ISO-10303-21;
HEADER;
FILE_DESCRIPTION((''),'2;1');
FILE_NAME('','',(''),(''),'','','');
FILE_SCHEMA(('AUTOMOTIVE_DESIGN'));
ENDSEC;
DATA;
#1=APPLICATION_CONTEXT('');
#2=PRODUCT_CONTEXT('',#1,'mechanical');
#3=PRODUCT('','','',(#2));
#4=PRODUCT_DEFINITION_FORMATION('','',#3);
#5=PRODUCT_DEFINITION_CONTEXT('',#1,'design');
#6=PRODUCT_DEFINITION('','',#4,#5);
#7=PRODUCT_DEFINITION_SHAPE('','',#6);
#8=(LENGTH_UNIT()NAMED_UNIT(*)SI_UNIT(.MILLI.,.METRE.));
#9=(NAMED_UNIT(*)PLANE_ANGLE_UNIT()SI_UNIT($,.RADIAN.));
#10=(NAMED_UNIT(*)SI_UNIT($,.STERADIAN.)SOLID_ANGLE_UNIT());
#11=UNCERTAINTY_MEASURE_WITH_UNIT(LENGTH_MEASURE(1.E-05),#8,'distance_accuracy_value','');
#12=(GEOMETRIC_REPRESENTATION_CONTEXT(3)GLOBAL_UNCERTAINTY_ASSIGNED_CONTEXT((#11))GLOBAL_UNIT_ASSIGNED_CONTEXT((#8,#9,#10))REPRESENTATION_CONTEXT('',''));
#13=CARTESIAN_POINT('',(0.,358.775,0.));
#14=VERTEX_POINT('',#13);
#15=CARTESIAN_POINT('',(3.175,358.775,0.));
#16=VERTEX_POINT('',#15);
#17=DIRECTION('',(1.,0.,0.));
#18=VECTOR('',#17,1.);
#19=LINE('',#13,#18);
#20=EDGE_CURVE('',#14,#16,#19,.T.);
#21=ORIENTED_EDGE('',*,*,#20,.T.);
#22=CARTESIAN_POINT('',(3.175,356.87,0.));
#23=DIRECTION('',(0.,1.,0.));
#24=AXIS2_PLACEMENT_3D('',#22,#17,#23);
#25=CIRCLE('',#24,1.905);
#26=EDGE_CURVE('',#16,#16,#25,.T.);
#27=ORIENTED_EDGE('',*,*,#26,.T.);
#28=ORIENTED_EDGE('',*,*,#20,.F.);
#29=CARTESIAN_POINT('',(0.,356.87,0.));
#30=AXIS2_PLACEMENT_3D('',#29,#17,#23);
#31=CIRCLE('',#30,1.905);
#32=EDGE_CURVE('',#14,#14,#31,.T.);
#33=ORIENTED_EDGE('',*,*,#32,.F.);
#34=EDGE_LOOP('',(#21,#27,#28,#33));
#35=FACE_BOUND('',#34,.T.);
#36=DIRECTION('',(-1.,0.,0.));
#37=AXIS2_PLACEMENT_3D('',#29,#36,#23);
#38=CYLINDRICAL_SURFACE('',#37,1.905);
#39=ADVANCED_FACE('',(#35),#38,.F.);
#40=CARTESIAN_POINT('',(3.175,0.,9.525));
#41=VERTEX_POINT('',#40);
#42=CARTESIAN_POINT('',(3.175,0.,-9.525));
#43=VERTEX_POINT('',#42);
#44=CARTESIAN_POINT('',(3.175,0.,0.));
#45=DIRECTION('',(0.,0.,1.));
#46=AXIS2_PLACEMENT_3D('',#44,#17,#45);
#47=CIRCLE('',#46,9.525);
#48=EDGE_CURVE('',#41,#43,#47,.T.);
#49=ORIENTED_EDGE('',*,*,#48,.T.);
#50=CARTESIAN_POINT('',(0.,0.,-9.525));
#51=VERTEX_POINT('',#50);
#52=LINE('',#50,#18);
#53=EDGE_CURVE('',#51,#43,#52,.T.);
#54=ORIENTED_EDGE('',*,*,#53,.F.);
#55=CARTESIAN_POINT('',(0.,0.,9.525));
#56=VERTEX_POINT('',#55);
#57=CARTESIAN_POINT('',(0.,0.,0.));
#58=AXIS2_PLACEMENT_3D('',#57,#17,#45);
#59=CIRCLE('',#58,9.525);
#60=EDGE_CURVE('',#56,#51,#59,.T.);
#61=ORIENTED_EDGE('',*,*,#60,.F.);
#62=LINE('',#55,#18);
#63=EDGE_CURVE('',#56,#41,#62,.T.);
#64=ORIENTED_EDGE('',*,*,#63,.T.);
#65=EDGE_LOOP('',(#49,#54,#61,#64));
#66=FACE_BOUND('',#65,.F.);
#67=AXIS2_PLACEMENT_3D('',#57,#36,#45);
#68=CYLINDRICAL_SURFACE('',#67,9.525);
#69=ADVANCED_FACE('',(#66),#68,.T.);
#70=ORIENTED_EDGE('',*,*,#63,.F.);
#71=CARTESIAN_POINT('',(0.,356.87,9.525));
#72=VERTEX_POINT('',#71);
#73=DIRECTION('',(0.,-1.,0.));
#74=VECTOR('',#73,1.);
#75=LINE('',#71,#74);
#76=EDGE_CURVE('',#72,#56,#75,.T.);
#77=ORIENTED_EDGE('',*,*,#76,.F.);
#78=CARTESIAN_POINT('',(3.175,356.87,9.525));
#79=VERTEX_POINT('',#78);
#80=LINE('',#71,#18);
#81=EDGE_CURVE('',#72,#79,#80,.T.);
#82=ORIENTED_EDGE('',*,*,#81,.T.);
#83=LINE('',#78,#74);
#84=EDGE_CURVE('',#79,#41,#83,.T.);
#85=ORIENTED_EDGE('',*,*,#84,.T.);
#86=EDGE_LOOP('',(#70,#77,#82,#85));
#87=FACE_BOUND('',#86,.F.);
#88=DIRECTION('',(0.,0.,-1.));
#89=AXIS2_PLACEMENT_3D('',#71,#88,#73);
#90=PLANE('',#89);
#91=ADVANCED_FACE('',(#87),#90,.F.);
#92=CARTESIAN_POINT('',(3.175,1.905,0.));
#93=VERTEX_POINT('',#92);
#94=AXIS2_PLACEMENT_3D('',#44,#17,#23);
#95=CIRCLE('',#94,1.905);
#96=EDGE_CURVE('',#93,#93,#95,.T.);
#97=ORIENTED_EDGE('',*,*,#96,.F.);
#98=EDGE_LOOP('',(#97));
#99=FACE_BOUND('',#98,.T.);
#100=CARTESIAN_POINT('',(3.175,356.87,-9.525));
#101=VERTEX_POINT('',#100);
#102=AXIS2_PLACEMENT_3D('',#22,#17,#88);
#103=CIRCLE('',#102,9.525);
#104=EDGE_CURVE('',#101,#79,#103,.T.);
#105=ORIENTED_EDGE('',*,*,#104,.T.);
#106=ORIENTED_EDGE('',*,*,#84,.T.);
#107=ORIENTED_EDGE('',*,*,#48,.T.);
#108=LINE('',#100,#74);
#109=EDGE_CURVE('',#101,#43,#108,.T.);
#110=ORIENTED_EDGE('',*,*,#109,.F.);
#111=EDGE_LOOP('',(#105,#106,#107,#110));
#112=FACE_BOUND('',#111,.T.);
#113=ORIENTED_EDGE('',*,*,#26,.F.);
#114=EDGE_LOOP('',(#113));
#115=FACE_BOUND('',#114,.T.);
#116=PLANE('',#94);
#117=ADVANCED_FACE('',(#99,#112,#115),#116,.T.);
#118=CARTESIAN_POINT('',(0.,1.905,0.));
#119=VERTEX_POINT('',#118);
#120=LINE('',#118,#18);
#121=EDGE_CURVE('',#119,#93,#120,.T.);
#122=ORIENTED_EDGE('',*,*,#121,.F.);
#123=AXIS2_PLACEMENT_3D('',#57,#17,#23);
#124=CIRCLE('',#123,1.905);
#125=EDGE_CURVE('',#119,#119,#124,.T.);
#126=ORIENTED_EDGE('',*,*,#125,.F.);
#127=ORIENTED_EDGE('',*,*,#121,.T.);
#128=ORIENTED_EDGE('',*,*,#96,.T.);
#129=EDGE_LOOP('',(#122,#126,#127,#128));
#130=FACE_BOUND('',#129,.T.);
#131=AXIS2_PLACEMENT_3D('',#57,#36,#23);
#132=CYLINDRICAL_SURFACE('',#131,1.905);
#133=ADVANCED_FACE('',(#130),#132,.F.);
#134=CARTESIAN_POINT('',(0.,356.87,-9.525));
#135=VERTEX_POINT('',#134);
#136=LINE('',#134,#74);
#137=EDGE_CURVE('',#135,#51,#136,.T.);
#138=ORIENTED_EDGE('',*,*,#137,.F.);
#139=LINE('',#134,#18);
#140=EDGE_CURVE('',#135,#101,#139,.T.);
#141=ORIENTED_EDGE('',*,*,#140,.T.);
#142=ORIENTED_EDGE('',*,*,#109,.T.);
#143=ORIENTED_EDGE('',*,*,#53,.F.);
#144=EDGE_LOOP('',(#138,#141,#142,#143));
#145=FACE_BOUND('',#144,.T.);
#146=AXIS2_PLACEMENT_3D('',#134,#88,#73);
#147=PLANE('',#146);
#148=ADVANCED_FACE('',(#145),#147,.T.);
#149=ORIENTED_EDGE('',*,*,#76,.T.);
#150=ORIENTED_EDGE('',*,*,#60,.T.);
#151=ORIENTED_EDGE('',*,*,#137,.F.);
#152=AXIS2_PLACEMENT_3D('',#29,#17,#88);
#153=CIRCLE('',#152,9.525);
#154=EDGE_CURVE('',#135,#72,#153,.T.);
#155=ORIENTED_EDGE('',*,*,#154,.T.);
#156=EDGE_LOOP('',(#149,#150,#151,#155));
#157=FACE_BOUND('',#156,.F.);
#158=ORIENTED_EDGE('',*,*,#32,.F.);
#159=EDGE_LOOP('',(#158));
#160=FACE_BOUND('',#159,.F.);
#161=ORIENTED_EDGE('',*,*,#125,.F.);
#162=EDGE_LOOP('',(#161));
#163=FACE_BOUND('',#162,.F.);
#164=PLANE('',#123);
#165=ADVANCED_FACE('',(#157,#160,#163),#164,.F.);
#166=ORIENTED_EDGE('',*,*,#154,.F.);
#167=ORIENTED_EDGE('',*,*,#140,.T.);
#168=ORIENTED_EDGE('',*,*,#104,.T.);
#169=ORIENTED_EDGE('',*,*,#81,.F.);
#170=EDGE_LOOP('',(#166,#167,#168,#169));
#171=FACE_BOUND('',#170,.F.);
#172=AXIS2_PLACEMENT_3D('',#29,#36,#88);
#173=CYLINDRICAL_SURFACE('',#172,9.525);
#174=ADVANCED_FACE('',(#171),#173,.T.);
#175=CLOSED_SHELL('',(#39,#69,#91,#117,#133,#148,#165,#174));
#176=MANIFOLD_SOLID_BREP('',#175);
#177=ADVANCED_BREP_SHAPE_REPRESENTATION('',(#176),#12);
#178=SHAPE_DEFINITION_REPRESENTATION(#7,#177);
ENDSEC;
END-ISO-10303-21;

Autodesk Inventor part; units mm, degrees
ref_plane "YZ Plane" through (0, 0, 0) normal (1, 0, 0) x (0, 1, 0)
ref_plane "XZ Plane" through (0, 0, 0) normal (0, 1, 0) x (-1, 0, 0)
ref_plane "XY Plane" through (0, 0, 0) normal (0, 0, 1) x (1, 0, 0)
sketch "Sketch1" plane through (0, 0, 0) normal (1, 0, 0) x (0, 1, 0)
  circle A0 centre (0, 0) radius 1.905
  line L0 (0, 0) -> (356.87, 0) construction
  circle A1 centre (356.87, 0) radius 1.905
  arc A2 (0, 9.525) -> (0, -9.525) centre (0, 0) ccw
  arc A3 (356.87, -9.525) -> (356.87, 9.525) centre (356.87, 0) ccw
  line L1 (356.87, -9.525) -> (0, -9.525)
  line L2 (356.87, 9.525) -> (0, 9.525)
  dimension "d0" = 3.81
  dimension "d1" = 356.87
  dimension "d2" = 19.05
extrude "Extrusion1" add sketch "Sketch1" along normal blind 3.175
properties part number "Tie Rod 2"
